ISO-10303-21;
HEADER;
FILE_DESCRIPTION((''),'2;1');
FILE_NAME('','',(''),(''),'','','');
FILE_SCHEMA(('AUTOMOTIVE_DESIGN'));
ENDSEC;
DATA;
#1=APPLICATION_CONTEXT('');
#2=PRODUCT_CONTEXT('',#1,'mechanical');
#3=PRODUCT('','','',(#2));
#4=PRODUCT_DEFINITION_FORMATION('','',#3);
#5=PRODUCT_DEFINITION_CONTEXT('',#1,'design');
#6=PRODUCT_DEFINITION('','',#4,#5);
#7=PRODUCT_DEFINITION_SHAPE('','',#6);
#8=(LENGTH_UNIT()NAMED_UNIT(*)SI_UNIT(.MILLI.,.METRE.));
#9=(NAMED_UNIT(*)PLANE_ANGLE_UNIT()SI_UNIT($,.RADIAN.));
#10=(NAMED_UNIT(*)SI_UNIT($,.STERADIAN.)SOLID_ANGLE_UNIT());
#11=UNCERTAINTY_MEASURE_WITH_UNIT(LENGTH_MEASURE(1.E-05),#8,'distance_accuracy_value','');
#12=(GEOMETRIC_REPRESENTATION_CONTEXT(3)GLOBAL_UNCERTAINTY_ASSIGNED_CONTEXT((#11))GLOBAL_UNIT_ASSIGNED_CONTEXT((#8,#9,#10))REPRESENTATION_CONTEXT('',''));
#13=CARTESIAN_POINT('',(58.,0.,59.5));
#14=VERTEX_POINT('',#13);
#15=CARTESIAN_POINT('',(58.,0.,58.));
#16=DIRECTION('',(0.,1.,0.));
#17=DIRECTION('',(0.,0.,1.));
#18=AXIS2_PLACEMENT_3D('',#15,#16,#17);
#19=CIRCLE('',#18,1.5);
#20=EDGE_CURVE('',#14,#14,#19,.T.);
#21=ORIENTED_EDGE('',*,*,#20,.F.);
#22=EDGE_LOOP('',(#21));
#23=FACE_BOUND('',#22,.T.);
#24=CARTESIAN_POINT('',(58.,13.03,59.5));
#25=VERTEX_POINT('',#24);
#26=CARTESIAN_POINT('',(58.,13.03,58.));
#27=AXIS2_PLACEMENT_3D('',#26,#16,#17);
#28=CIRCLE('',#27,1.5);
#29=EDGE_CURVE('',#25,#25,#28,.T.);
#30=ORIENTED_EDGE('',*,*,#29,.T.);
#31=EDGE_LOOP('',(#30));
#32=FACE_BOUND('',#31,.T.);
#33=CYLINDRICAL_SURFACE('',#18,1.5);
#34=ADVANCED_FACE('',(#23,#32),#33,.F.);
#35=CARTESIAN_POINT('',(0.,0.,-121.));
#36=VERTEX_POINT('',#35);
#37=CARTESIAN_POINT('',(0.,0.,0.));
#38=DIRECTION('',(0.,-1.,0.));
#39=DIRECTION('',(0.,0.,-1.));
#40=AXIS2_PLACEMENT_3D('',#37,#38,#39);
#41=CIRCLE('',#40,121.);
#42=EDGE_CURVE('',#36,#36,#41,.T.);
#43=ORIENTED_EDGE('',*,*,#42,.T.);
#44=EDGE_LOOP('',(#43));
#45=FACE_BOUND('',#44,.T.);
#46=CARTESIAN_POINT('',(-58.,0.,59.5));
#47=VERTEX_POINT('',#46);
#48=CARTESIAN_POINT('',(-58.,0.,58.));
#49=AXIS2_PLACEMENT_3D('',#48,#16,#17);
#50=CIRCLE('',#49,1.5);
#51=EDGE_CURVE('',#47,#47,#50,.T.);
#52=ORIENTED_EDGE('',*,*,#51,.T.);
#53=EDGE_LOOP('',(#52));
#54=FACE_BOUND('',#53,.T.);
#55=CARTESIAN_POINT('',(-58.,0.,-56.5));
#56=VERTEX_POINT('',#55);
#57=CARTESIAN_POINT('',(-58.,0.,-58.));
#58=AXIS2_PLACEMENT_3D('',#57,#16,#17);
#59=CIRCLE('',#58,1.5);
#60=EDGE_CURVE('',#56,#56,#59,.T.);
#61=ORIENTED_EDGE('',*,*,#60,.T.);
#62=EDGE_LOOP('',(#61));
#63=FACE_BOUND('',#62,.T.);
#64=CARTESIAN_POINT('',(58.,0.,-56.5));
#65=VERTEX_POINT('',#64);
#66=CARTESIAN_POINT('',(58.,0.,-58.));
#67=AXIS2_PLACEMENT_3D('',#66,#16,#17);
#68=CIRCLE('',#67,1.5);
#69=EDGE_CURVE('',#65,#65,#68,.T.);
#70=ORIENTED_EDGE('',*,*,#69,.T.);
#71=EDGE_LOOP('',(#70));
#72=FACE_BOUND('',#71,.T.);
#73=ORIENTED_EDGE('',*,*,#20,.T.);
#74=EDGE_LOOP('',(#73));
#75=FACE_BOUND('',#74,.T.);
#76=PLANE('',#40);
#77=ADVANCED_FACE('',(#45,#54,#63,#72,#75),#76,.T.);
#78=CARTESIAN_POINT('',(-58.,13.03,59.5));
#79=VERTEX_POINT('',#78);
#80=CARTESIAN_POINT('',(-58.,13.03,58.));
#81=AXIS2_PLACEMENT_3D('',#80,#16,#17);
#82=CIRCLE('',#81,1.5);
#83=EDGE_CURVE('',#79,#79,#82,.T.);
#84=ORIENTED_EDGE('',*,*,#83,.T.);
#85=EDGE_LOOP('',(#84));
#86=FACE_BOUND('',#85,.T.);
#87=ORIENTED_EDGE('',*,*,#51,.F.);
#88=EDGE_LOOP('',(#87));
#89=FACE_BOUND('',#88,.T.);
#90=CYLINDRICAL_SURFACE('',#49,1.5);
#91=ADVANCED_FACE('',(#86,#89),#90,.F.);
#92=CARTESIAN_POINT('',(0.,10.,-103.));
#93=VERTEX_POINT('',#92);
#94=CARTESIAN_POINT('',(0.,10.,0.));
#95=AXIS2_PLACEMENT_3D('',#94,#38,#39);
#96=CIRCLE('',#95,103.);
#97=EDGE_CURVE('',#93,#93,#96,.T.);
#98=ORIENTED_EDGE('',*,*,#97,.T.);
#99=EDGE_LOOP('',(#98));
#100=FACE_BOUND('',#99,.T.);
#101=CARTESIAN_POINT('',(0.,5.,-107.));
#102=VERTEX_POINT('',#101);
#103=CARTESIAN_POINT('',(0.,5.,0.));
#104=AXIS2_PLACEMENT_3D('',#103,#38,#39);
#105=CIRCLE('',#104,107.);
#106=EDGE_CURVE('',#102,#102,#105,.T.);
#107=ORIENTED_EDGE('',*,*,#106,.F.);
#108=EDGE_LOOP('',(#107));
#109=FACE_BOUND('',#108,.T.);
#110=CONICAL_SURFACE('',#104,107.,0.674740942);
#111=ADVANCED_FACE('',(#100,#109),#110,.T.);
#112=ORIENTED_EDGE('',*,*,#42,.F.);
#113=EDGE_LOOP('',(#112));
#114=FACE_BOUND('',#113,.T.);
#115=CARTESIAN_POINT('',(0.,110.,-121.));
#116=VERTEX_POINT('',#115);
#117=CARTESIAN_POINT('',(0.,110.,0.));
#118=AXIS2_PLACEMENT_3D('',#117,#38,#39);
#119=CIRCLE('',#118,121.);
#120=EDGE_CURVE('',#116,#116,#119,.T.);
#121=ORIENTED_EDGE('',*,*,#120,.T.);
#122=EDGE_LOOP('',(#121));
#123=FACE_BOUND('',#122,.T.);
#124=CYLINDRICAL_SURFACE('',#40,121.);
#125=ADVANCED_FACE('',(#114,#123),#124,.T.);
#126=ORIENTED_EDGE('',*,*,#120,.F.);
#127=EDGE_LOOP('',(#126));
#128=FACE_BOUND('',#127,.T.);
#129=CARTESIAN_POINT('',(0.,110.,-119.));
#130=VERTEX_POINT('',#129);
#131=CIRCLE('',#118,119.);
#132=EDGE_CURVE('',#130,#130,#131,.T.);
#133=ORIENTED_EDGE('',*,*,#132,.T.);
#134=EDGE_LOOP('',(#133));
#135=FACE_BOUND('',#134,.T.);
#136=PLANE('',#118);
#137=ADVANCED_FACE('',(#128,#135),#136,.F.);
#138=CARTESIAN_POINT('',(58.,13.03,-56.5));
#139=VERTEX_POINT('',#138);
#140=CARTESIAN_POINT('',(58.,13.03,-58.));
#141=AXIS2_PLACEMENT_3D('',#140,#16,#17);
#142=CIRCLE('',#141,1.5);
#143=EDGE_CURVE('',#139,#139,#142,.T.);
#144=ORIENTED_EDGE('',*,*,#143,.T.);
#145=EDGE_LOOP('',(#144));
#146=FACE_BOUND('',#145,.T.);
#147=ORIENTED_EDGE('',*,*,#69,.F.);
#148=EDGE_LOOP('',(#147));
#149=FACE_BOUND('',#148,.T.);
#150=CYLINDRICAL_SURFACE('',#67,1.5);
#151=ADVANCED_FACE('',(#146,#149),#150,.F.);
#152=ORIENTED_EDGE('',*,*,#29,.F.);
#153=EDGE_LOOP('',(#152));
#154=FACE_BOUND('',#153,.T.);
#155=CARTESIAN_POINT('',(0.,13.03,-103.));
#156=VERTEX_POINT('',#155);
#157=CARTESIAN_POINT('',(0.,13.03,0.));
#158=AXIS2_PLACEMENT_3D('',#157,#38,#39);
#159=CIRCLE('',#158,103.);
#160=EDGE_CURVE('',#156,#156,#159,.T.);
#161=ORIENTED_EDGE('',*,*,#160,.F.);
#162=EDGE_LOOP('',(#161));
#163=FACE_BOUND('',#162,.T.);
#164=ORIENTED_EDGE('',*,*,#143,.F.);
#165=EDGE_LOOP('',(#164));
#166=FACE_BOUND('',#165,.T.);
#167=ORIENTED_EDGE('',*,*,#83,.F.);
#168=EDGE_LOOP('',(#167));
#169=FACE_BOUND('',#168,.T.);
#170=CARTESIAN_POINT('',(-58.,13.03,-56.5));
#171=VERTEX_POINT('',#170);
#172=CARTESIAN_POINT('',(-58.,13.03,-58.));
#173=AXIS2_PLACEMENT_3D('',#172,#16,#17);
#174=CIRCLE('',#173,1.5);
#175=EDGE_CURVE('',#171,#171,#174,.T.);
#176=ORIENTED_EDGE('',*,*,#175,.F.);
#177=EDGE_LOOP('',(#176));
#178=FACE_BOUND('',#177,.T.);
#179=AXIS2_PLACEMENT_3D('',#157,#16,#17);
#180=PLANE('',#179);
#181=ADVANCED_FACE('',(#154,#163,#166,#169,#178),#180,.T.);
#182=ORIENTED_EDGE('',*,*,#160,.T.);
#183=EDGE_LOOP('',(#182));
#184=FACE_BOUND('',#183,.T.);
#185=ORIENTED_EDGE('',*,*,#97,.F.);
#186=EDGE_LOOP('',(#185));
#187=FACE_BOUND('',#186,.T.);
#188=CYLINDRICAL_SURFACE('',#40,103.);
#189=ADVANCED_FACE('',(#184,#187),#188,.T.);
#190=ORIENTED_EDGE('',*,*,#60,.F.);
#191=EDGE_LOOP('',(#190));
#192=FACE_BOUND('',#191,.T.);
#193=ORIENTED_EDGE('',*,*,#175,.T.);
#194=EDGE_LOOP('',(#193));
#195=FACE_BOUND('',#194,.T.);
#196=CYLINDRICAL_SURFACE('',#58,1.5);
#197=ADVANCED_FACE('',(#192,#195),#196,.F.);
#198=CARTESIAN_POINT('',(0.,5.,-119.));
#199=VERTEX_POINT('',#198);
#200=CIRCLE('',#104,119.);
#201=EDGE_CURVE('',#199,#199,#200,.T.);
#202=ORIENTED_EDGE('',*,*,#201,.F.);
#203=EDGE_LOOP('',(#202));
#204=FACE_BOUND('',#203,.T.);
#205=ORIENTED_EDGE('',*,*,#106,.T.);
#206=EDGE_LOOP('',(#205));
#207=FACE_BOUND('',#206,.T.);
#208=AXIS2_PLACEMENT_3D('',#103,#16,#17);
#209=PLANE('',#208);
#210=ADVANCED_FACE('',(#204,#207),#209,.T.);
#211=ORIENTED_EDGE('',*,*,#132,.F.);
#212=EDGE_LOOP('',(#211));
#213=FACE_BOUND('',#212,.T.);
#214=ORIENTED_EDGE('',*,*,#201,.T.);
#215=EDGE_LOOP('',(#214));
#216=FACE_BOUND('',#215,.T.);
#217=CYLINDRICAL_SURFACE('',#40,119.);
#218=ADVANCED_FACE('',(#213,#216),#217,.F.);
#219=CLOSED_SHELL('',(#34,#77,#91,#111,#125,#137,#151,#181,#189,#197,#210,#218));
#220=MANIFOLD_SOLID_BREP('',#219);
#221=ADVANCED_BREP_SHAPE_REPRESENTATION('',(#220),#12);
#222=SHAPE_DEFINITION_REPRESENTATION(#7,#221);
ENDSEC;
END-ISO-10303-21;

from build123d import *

# Parameters (mm, degrees)
SKETCH_1_W          = 103
SKETCH_1_H          = 3.03
SKETCH_2_R          = 1.5
CUT_EXTRUDE_1_DEPTH = 14.03


with BuildPart() as part:
    # Эскиз1 → Повернуть1 (revolve)
    with BuildSketch(Plane.XY):
        Polygon((0, 0), (0, 10), (103, 10), (107, 5), (119, 5), (119, 0), align=None)
        with Locations((51.5, 11.515)):
            Rectangle(SKETCH_1_W, SKETCH_1_H)
        Polygon((119, 5), (119, 0), (121, 0), (121, 110), (119, 110), align=None)
    revolve(axis=Axis((0, 0, 0), (0, 1, 0)))

    # Эскиз2 → Вырез-Вытянуть1 (cut, through all)
    with BuildSketch(Plane(origin=(0, 13.03, 0), x_dir=(1, 0, 0), z_dir=(0, 1, 0))):
        with Locations((-58, 58)):
            Circle(SKETCH_2_R)
        with Locations((58, 58)):
            Circle(SKETCH_2_R)
        with Locations((58, -58)):
            Circle(SKETCH_2_R)
        with Locations((-58, -58)):
            Circle(SKETCH_2_R)
    extrude(amount=-CUT_EXTRUDE_1_DEPTH, mode=Mode.SUBTRACT)


solid = part.part
